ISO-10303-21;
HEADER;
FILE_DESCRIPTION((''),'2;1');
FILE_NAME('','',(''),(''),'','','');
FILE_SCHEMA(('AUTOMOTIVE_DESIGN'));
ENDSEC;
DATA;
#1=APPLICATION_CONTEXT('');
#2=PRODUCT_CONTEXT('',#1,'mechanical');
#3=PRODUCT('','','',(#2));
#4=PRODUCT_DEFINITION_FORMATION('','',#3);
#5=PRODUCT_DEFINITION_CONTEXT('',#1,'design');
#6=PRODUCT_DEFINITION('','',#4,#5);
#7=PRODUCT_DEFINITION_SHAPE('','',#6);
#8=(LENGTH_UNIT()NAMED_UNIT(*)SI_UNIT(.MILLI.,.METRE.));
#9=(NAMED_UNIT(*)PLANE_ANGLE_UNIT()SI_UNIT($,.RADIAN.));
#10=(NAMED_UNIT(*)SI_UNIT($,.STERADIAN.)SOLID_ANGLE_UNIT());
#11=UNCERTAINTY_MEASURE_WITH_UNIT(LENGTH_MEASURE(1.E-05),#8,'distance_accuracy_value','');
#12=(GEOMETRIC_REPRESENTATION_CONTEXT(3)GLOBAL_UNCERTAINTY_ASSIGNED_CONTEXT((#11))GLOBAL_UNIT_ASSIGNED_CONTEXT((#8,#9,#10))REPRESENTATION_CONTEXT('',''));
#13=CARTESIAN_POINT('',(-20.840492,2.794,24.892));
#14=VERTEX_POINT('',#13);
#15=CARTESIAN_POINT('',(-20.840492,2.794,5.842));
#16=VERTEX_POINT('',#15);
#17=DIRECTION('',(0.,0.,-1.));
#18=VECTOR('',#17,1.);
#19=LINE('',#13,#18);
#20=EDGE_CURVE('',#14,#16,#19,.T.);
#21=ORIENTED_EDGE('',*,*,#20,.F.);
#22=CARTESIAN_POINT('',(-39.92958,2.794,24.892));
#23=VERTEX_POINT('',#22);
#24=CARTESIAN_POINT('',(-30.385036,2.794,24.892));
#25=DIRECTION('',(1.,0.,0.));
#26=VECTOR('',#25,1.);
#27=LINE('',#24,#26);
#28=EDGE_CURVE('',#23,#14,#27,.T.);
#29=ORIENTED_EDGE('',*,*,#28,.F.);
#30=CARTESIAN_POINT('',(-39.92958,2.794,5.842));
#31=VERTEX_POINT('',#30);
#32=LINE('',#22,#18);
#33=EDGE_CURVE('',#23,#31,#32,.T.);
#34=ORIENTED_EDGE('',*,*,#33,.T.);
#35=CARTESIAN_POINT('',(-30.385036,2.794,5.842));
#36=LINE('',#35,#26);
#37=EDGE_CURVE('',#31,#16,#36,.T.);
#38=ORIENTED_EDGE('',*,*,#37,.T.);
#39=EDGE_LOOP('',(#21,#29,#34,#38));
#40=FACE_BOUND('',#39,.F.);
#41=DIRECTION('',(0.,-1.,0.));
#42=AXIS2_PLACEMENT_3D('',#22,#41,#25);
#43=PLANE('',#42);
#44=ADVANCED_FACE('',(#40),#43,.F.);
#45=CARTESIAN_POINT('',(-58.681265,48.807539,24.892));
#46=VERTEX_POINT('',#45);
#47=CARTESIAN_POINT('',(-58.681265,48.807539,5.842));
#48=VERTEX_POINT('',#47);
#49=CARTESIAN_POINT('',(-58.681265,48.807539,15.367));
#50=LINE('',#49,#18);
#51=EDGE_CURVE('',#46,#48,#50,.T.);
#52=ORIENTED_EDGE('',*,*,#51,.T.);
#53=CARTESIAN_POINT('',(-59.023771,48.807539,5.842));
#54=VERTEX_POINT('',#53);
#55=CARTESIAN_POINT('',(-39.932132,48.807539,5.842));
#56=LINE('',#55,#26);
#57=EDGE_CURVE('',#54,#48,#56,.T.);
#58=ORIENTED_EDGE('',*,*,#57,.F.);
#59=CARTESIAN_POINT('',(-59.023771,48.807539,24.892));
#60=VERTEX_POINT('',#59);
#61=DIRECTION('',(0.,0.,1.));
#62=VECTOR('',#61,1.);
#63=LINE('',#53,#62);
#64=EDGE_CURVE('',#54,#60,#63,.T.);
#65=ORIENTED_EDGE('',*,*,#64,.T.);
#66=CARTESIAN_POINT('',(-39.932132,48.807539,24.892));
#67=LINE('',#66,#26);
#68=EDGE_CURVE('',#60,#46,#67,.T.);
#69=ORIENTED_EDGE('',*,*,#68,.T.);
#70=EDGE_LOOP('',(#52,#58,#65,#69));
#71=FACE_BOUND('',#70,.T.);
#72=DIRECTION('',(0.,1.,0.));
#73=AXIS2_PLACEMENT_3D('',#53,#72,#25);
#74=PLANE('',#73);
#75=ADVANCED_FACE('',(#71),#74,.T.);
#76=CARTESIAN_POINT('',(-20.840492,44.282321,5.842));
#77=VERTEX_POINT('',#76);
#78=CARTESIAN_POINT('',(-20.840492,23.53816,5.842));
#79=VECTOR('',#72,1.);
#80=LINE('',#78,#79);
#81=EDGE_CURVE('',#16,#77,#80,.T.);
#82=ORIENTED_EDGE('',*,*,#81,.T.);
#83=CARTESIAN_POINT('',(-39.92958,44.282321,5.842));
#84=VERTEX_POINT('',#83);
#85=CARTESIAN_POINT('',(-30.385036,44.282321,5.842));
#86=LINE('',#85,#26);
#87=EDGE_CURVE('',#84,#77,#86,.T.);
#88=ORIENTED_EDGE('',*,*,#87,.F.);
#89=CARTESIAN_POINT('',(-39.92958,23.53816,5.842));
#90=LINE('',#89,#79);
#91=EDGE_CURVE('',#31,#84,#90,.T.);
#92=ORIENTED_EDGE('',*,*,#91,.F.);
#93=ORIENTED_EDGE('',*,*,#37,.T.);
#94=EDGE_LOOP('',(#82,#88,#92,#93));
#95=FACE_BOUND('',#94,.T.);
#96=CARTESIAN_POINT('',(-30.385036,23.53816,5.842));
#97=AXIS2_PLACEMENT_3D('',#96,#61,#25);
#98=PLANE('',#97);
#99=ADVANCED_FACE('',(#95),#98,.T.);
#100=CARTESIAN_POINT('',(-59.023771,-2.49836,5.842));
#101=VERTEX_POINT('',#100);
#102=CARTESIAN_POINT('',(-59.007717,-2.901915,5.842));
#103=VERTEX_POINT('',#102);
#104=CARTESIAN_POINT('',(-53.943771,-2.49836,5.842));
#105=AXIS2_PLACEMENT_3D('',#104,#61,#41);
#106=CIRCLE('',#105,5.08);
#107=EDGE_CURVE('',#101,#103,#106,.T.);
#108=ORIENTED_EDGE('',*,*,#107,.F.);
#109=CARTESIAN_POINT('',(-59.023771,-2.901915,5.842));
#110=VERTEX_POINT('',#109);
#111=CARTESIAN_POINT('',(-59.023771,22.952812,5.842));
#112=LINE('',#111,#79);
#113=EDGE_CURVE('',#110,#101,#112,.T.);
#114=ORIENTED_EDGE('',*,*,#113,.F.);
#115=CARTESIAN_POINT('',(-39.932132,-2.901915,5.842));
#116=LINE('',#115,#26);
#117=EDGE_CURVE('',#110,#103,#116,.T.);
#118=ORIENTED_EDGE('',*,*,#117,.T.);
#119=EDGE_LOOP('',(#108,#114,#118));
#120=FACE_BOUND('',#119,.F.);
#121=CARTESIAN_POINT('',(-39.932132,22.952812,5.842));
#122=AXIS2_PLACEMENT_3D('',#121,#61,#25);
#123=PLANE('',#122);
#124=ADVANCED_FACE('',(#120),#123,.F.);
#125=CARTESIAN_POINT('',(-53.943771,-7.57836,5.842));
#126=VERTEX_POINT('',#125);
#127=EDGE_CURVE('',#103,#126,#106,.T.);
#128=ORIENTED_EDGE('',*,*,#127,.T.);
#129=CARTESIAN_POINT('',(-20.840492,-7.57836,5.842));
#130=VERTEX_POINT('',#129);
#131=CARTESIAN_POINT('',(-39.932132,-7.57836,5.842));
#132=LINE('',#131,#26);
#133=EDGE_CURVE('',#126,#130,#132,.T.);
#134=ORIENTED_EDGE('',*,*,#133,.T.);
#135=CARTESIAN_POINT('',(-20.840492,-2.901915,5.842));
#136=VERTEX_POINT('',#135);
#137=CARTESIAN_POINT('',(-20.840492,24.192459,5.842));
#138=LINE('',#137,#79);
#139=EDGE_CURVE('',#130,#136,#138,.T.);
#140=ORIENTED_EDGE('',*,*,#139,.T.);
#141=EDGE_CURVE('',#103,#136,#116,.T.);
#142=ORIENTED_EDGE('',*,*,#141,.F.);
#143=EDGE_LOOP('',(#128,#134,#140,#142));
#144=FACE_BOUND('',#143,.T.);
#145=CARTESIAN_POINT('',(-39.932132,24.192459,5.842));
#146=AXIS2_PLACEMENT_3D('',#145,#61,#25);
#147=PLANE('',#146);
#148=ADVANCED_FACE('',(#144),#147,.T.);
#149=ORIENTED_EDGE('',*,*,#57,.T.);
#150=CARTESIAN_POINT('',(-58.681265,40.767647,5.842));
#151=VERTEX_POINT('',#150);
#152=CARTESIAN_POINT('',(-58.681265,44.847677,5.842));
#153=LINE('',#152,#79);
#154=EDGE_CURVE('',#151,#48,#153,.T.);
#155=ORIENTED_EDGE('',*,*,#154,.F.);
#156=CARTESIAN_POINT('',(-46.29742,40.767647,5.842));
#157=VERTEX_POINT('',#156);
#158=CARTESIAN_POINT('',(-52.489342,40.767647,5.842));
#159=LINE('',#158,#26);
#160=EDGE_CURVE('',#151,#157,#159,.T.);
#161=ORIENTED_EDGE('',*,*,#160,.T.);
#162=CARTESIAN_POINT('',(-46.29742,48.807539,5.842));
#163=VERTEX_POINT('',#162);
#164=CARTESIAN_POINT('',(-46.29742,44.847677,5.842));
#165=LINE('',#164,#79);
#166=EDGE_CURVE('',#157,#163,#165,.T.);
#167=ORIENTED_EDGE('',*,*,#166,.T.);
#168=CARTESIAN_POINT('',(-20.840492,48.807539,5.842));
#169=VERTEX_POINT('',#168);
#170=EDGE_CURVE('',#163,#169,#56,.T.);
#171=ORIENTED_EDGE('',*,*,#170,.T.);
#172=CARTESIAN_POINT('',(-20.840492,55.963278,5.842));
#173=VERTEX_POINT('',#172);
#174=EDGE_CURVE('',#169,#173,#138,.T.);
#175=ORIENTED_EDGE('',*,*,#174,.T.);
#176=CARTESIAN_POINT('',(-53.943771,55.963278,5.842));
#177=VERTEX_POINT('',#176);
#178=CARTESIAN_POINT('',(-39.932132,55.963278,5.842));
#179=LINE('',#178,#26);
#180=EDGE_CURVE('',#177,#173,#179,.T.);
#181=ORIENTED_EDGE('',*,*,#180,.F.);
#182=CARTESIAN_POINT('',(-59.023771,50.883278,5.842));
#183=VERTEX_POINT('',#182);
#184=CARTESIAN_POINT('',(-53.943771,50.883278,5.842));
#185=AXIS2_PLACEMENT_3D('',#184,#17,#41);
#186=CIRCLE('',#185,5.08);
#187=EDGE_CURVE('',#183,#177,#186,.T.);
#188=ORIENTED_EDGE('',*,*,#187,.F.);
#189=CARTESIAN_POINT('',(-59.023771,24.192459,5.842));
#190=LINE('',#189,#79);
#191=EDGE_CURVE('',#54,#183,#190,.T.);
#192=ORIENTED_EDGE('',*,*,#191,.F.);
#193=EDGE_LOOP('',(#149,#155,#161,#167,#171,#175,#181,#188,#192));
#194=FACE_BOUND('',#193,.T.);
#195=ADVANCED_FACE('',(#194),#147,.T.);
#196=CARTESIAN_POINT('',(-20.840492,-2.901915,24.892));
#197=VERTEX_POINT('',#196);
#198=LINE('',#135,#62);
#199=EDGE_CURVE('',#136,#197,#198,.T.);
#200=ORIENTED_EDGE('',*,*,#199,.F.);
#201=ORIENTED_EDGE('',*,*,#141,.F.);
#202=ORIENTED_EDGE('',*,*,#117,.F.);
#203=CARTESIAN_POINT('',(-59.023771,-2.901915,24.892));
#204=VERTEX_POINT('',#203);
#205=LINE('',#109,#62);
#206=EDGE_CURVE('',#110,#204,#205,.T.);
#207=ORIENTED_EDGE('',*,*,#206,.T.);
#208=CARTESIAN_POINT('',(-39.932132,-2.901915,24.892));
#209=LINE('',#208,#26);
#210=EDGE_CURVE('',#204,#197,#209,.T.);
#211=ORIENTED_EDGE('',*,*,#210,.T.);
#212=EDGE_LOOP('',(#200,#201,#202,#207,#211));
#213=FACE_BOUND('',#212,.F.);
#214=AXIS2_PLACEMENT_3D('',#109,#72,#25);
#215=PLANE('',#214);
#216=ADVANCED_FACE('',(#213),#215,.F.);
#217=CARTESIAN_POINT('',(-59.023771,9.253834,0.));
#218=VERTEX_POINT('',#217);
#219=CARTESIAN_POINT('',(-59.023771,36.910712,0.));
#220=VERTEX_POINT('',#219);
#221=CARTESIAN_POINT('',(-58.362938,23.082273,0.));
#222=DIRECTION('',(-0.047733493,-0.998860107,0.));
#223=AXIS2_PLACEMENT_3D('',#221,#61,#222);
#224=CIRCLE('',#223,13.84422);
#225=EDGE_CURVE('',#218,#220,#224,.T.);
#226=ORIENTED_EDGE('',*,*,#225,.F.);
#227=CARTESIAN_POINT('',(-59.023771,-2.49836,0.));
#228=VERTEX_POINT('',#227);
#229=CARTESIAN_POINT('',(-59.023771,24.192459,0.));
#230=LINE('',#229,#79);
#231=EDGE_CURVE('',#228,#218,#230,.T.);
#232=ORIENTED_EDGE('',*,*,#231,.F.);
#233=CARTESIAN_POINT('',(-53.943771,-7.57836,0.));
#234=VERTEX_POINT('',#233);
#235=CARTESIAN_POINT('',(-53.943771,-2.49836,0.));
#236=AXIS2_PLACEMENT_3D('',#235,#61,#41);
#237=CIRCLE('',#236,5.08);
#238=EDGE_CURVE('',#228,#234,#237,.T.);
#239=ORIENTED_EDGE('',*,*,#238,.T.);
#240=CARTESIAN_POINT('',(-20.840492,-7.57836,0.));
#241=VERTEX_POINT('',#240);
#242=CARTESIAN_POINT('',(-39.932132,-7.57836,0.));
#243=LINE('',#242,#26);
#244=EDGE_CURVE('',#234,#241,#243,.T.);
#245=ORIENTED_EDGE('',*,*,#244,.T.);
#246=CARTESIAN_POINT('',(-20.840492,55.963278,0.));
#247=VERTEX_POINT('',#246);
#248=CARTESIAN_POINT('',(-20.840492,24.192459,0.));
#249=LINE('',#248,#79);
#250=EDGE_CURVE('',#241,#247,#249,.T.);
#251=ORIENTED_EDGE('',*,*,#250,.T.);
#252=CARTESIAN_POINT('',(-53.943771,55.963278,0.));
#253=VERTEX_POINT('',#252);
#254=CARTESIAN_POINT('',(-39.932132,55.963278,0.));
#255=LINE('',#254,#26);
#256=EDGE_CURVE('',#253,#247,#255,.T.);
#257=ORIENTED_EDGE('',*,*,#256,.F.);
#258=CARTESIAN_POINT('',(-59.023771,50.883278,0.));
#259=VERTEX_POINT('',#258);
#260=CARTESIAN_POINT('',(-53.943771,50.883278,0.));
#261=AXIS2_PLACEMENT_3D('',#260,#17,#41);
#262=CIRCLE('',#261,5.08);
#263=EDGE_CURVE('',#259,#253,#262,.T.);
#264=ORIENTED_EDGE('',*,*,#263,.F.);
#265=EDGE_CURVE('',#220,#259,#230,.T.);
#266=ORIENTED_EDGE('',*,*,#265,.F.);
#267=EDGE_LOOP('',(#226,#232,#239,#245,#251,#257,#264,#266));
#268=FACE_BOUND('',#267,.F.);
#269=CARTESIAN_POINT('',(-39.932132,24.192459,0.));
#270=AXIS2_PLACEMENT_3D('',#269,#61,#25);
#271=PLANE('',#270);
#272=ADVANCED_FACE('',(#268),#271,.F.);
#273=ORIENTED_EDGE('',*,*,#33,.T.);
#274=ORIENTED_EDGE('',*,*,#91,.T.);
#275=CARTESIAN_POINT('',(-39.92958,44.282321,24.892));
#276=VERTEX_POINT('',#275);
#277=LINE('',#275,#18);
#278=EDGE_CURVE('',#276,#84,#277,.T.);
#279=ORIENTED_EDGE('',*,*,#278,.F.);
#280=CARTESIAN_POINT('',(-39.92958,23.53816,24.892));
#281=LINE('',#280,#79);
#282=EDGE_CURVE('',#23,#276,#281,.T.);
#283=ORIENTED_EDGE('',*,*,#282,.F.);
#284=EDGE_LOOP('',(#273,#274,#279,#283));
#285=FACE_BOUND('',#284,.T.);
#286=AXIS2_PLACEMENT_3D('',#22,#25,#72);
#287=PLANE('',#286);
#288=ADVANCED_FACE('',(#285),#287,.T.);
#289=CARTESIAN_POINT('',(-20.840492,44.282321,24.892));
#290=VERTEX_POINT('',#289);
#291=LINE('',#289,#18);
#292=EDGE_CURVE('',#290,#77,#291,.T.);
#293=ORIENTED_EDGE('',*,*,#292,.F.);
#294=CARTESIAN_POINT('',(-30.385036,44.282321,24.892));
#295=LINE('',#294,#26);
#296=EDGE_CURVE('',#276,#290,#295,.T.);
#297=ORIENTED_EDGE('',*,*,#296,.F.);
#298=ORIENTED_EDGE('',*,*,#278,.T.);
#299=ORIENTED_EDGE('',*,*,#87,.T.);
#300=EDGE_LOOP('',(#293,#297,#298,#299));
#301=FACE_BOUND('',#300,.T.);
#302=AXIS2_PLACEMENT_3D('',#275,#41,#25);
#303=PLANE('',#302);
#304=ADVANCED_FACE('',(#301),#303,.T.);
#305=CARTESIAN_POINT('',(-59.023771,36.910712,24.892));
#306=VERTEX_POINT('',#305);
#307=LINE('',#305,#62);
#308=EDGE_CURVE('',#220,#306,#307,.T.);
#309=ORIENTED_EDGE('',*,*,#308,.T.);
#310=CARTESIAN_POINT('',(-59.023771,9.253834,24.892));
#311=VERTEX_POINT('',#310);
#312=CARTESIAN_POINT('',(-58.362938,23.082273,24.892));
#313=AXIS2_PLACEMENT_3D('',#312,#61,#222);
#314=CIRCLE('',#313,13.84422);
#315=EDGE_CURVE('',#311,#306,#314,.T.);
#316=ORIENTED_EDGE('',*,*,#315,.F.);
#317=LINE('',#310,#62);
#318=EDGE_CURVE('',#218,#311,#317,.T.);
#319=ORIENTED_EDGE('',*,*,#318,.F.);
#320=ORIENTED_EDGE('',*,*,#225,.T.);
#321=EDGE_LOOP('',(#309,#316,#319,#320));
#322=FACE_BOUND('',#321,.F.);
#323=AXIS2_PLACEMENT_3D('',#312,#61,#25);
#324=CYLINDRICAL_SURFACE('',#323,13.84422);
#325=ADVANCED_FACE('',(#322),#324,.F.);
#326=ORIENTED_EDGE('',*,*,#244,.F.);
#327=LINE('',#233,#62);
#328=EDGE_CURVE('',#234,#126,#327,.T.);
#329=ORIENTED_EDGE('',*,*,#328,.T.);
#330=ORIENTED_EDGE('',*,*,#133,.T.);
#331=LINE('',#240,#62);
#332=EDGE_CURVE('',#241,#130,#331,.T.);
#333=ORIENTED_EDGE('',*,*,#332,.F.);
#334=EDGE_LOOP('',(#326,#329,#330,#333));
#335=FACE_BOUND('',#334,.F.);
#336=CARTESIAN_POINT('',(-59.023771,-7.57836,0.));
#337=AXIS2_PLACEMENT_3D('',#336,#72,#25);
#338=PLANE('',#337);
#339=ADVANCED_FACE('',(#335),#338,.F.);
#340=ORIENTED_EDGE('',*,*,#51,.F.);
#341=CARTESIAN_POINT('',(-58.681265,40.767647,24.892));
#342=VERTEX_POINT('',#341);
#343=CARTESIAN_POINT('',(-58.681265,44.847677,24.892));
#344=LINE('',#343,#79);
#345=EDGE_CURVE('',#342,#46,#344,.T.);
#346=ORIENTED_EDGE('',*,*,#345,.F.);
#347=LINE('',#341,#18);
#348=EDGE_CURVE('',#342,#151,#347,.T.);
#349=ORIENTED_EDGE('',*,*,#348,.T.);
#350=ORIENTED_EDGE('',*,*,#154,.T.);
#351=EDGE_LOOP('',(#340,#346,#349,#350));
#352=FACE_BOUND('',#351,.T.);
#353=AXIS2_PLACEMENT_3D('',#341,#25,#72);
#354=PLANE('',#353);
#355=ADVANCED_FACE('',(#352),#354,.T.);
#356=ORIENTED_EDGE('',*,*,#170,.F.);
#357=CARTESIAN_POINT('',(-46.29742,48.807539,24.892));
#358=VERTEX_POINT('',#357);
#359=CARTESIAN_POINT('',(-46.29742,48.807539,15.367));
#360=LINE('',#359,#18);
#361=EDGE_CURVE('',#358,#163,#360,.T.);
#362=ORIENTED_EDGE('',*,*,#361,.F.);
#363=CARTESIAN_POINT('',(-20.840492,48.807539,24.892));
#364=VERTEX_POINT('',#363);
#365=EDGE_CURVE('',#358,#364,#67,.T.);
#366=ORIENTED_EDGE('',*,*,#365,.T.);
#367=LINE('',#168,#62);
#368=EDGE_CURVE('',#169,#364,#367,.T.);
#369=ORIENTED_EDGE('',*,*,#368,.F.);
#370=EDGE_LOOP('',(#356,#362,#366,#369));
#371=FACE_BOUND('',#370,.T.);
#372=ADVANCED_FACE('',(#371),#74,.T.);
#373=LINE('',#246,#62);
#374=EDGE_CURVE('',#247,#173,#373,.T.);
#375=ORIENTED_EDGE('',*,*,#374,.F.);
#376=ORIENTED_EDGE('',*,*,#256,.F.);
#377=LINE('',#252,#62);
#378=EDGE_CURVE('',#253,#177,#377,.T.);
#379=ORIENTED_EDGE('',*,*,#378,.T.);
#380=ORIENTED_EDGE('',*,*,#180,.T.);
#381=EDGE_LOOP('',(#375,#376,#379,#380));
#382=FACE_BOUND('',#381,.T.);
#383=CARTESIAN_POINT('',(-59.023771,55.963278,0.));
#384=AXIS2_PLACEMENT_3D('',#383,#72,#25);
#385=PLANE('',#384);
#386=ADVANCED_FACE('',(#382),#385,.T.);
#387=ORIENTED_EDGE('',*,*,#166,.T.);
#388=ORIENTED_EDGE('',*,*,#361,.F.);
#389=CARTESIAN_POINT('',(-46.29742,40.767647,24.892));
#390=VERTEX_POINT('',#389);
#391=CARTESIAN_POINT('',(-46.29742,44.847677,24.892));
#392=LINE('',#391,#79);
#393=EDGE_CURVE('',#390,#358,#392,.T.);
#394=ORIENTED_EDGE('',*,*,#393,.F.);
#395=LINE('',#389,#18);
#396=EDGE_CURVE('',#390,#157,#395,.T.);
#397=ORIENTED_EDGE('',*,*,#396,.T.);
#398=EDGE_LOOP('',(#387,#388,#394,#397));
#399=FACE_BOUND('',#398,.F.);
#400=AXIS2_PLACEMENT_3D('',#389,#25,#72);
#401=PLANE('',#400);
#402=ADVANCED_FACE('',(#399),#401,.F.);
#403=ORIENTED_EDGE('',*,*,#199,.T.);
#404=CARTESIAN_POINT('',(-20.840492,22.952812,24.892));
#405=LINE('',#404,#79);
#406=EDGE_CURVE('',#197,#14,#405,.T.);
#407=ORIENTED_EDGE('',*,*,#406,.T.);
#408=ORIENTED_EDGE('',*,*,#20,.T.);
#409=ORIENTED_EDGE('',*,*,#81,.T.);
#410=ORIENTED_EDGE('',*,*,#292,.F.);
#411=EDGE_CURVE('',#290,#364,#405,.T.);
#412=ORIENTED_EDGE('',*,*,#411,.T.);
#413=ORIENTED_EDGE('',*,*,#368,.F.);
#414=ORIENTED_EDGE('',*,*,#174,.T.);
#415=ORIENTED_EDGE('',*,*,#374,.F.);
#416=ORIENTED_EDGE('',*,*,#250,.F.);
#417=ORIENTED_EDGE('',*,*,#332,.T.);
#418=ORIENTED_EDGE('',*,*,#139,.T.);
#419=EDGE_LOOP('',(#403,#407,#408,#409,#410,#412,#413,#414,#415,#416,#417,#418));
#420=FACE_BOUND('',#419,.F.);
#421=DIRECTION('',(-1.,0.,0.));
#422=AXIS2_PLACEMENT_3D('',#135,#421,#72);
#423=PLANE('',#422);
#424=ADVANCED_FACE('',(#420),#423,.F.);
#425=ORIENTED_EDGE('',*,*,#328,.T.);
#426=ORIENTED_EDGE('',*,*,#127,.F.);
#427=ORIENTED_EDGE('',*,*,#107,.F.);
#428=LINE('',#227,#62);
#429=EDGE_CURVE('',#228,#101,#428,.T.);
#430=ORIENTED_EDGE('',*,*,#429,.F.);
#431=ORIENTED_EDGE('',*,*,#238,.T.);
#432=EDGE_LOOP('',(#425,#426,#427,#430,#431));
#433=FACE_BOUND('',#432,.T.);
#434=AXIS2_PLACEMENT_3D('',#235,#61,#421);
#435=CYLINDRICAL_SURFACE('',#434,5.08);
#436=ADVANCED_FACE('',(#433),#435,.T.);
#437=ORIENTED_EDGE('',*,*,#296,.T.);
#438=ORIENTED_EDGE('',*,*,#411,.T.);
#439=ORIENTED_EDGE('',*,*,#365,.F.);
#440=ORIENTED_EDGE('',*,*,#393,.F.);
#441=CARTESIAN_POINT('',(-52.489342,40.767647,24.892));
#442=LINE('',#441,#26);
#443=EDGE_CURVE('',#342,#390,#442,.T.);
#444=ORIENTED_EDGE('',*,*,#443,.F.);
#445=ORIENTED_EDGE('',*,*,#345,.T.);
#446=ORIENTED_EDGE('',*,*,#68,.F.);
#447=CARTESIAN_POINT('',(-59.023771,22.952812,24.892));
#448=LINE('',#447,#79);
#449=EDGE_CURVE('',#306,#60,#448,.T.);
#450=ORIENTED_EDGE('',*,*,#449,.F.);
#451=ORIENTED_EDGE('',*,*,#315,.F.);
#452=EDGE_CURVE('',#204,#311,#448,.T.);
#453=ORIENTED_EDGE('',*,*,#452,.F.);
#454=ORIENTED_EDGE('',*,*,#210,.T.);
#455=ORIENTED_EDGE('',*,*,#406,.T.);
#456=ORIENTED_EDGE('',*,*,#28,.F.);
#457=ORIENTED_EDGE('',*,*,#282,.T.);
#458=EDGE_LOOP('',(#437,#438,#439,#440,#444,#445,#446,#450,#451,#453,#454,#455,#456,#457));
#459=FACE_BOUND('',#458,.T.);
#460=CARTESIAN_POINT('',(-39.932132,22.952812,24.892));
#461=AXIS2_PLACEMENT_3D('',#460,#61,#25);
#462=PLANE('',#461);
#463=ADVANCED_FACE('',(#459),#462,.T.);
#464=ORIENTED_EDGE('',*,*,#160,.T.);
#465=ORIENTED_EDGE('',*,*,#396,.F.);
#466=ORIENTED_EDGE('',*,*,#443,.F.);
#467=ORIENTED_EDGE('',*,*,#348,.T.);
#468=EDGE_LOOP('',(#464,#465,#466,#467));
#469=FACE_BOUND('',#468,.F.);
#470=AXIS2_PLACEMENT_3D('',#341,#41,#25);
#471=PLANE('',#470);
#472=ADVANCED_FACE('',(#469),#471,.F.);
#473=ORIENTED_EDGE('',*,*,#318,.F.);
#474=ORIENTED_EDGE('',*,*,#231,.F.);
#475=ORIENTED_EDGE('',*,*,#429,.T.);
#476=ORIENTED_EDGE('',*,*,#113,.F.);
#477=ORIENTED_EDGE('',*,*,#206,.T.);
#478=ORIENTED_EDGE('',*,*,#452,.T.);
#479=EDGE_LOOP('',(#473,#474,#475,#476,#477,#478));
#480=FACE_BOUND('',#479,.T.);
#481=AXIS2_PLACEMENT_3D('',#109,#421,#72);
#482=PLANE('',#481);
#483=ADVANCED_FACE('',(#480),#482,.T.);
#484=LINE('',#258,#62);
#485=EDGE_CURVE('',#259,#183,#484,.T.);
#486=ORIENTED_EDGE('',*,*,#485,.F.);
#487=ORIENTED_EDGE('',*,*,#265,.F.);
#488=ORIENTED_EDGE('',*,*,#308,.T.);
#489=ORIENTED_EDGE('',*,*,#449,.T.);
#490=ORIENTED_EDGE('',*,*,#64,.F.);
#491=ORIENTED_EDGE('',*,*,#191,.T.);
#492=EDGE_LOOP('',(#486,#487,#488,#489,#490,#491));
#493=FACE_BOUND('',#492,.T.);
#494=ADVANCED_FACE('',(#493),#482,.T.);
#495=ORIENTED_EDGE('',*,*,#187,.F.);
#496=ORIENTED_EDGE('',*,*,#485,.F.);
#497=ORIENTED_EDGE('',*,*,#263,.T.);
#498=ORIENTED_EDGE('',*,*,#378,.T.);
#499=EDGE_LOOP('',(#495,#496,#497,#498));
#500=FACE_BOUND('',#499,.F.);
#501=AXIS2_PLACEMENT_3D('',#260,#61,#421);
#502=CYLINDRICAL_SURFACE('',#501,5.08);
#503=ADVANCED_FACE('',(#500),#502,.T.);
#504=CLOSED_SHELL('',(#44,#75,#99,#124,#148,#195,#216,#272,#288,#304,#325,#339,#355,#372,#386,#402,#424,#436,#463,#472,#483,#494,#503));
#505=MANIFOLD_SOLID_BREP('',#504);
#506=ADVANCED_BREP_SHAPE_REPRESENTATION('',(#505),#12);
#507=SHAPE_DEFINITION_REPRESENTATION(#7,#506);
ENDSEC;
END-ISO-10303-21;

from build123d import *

# Parameters (mm, degrees)
F0_W      = 38.1832793355
F0_H      = 63.5416381992
F1_DEPTH  = 5.842
F2_R      = 5.08
F3_W      = 38.1832793355
F3_H      = 51.7094545066
F4_DEPTH  = 19.05
F5_W      = 19.0890878439
F5_H      = 41.4883207995
F6_DEPTH  = 19.05
F8_R      = 13.8442198494
F9_DEPTH  = 25.4
F10_W     = 12.3838447034
F10_H     = 8.160058409
F11_DEPTH = 19.05


with BuildPart() as f1:
    # F0 (on Top) → F1 (new body)
    with BuildSketch(Plane.XY):
        with Locations((-39.9321317673, 24.1924587172)):
            Rectangle(F0_W, F0_H)
    extrude(amount=F1_DEPTH)

    # F2
    f2_edges = [f1.edges().sort_by_distance(p)[0] for p in [
        (-59.023771, 55.963278, 2.921),
        (-59.023771, -7.57836, 2.921),
    ]]
    fillet(f2_edges, radius=F2_R)

    # F3 (on face) → F4 (join)
    with BuildSketch(Plane.XY.offset(5.842)):
        with Locations((-39.9321317673, 22.9528117925)):
            Rectangle(F3_W, F3_H)
    extrude(amount=F4_DEPTH)

    # F5 (on face) → F6 (cut)
    with BuildSketch(Plane.XY.offset(24.892)):
        with Locations((-30.3850360215, 23.5381604871)):
            Rectangle(F5_W, F5_H)
    extrude(amount=-F6_DEPTH, mode=Mode.SUBTRACT)

    # F8 (on face) → F9 (cut)
    with BuildSketch(Plane.XY.offset(24.892)):
        with Locations((-58.3629384637, 23.0822730809)):
            Circle(F8_R)
    extrude(amount=-F9_DEPTH, mode=Mode.SUBTRACT)

    # F10 (on face) → F11 (cut)
    with BuildSketch(Plane.XY.offset(24.892)):
        with Locations((-52.489342168, 44.8476765305)):
            Rectangle(F10_W, F10_H)
    extrude(amount=-F11_DEPTH, mode=Mode.SUBTRACT)


solid = f1.part
